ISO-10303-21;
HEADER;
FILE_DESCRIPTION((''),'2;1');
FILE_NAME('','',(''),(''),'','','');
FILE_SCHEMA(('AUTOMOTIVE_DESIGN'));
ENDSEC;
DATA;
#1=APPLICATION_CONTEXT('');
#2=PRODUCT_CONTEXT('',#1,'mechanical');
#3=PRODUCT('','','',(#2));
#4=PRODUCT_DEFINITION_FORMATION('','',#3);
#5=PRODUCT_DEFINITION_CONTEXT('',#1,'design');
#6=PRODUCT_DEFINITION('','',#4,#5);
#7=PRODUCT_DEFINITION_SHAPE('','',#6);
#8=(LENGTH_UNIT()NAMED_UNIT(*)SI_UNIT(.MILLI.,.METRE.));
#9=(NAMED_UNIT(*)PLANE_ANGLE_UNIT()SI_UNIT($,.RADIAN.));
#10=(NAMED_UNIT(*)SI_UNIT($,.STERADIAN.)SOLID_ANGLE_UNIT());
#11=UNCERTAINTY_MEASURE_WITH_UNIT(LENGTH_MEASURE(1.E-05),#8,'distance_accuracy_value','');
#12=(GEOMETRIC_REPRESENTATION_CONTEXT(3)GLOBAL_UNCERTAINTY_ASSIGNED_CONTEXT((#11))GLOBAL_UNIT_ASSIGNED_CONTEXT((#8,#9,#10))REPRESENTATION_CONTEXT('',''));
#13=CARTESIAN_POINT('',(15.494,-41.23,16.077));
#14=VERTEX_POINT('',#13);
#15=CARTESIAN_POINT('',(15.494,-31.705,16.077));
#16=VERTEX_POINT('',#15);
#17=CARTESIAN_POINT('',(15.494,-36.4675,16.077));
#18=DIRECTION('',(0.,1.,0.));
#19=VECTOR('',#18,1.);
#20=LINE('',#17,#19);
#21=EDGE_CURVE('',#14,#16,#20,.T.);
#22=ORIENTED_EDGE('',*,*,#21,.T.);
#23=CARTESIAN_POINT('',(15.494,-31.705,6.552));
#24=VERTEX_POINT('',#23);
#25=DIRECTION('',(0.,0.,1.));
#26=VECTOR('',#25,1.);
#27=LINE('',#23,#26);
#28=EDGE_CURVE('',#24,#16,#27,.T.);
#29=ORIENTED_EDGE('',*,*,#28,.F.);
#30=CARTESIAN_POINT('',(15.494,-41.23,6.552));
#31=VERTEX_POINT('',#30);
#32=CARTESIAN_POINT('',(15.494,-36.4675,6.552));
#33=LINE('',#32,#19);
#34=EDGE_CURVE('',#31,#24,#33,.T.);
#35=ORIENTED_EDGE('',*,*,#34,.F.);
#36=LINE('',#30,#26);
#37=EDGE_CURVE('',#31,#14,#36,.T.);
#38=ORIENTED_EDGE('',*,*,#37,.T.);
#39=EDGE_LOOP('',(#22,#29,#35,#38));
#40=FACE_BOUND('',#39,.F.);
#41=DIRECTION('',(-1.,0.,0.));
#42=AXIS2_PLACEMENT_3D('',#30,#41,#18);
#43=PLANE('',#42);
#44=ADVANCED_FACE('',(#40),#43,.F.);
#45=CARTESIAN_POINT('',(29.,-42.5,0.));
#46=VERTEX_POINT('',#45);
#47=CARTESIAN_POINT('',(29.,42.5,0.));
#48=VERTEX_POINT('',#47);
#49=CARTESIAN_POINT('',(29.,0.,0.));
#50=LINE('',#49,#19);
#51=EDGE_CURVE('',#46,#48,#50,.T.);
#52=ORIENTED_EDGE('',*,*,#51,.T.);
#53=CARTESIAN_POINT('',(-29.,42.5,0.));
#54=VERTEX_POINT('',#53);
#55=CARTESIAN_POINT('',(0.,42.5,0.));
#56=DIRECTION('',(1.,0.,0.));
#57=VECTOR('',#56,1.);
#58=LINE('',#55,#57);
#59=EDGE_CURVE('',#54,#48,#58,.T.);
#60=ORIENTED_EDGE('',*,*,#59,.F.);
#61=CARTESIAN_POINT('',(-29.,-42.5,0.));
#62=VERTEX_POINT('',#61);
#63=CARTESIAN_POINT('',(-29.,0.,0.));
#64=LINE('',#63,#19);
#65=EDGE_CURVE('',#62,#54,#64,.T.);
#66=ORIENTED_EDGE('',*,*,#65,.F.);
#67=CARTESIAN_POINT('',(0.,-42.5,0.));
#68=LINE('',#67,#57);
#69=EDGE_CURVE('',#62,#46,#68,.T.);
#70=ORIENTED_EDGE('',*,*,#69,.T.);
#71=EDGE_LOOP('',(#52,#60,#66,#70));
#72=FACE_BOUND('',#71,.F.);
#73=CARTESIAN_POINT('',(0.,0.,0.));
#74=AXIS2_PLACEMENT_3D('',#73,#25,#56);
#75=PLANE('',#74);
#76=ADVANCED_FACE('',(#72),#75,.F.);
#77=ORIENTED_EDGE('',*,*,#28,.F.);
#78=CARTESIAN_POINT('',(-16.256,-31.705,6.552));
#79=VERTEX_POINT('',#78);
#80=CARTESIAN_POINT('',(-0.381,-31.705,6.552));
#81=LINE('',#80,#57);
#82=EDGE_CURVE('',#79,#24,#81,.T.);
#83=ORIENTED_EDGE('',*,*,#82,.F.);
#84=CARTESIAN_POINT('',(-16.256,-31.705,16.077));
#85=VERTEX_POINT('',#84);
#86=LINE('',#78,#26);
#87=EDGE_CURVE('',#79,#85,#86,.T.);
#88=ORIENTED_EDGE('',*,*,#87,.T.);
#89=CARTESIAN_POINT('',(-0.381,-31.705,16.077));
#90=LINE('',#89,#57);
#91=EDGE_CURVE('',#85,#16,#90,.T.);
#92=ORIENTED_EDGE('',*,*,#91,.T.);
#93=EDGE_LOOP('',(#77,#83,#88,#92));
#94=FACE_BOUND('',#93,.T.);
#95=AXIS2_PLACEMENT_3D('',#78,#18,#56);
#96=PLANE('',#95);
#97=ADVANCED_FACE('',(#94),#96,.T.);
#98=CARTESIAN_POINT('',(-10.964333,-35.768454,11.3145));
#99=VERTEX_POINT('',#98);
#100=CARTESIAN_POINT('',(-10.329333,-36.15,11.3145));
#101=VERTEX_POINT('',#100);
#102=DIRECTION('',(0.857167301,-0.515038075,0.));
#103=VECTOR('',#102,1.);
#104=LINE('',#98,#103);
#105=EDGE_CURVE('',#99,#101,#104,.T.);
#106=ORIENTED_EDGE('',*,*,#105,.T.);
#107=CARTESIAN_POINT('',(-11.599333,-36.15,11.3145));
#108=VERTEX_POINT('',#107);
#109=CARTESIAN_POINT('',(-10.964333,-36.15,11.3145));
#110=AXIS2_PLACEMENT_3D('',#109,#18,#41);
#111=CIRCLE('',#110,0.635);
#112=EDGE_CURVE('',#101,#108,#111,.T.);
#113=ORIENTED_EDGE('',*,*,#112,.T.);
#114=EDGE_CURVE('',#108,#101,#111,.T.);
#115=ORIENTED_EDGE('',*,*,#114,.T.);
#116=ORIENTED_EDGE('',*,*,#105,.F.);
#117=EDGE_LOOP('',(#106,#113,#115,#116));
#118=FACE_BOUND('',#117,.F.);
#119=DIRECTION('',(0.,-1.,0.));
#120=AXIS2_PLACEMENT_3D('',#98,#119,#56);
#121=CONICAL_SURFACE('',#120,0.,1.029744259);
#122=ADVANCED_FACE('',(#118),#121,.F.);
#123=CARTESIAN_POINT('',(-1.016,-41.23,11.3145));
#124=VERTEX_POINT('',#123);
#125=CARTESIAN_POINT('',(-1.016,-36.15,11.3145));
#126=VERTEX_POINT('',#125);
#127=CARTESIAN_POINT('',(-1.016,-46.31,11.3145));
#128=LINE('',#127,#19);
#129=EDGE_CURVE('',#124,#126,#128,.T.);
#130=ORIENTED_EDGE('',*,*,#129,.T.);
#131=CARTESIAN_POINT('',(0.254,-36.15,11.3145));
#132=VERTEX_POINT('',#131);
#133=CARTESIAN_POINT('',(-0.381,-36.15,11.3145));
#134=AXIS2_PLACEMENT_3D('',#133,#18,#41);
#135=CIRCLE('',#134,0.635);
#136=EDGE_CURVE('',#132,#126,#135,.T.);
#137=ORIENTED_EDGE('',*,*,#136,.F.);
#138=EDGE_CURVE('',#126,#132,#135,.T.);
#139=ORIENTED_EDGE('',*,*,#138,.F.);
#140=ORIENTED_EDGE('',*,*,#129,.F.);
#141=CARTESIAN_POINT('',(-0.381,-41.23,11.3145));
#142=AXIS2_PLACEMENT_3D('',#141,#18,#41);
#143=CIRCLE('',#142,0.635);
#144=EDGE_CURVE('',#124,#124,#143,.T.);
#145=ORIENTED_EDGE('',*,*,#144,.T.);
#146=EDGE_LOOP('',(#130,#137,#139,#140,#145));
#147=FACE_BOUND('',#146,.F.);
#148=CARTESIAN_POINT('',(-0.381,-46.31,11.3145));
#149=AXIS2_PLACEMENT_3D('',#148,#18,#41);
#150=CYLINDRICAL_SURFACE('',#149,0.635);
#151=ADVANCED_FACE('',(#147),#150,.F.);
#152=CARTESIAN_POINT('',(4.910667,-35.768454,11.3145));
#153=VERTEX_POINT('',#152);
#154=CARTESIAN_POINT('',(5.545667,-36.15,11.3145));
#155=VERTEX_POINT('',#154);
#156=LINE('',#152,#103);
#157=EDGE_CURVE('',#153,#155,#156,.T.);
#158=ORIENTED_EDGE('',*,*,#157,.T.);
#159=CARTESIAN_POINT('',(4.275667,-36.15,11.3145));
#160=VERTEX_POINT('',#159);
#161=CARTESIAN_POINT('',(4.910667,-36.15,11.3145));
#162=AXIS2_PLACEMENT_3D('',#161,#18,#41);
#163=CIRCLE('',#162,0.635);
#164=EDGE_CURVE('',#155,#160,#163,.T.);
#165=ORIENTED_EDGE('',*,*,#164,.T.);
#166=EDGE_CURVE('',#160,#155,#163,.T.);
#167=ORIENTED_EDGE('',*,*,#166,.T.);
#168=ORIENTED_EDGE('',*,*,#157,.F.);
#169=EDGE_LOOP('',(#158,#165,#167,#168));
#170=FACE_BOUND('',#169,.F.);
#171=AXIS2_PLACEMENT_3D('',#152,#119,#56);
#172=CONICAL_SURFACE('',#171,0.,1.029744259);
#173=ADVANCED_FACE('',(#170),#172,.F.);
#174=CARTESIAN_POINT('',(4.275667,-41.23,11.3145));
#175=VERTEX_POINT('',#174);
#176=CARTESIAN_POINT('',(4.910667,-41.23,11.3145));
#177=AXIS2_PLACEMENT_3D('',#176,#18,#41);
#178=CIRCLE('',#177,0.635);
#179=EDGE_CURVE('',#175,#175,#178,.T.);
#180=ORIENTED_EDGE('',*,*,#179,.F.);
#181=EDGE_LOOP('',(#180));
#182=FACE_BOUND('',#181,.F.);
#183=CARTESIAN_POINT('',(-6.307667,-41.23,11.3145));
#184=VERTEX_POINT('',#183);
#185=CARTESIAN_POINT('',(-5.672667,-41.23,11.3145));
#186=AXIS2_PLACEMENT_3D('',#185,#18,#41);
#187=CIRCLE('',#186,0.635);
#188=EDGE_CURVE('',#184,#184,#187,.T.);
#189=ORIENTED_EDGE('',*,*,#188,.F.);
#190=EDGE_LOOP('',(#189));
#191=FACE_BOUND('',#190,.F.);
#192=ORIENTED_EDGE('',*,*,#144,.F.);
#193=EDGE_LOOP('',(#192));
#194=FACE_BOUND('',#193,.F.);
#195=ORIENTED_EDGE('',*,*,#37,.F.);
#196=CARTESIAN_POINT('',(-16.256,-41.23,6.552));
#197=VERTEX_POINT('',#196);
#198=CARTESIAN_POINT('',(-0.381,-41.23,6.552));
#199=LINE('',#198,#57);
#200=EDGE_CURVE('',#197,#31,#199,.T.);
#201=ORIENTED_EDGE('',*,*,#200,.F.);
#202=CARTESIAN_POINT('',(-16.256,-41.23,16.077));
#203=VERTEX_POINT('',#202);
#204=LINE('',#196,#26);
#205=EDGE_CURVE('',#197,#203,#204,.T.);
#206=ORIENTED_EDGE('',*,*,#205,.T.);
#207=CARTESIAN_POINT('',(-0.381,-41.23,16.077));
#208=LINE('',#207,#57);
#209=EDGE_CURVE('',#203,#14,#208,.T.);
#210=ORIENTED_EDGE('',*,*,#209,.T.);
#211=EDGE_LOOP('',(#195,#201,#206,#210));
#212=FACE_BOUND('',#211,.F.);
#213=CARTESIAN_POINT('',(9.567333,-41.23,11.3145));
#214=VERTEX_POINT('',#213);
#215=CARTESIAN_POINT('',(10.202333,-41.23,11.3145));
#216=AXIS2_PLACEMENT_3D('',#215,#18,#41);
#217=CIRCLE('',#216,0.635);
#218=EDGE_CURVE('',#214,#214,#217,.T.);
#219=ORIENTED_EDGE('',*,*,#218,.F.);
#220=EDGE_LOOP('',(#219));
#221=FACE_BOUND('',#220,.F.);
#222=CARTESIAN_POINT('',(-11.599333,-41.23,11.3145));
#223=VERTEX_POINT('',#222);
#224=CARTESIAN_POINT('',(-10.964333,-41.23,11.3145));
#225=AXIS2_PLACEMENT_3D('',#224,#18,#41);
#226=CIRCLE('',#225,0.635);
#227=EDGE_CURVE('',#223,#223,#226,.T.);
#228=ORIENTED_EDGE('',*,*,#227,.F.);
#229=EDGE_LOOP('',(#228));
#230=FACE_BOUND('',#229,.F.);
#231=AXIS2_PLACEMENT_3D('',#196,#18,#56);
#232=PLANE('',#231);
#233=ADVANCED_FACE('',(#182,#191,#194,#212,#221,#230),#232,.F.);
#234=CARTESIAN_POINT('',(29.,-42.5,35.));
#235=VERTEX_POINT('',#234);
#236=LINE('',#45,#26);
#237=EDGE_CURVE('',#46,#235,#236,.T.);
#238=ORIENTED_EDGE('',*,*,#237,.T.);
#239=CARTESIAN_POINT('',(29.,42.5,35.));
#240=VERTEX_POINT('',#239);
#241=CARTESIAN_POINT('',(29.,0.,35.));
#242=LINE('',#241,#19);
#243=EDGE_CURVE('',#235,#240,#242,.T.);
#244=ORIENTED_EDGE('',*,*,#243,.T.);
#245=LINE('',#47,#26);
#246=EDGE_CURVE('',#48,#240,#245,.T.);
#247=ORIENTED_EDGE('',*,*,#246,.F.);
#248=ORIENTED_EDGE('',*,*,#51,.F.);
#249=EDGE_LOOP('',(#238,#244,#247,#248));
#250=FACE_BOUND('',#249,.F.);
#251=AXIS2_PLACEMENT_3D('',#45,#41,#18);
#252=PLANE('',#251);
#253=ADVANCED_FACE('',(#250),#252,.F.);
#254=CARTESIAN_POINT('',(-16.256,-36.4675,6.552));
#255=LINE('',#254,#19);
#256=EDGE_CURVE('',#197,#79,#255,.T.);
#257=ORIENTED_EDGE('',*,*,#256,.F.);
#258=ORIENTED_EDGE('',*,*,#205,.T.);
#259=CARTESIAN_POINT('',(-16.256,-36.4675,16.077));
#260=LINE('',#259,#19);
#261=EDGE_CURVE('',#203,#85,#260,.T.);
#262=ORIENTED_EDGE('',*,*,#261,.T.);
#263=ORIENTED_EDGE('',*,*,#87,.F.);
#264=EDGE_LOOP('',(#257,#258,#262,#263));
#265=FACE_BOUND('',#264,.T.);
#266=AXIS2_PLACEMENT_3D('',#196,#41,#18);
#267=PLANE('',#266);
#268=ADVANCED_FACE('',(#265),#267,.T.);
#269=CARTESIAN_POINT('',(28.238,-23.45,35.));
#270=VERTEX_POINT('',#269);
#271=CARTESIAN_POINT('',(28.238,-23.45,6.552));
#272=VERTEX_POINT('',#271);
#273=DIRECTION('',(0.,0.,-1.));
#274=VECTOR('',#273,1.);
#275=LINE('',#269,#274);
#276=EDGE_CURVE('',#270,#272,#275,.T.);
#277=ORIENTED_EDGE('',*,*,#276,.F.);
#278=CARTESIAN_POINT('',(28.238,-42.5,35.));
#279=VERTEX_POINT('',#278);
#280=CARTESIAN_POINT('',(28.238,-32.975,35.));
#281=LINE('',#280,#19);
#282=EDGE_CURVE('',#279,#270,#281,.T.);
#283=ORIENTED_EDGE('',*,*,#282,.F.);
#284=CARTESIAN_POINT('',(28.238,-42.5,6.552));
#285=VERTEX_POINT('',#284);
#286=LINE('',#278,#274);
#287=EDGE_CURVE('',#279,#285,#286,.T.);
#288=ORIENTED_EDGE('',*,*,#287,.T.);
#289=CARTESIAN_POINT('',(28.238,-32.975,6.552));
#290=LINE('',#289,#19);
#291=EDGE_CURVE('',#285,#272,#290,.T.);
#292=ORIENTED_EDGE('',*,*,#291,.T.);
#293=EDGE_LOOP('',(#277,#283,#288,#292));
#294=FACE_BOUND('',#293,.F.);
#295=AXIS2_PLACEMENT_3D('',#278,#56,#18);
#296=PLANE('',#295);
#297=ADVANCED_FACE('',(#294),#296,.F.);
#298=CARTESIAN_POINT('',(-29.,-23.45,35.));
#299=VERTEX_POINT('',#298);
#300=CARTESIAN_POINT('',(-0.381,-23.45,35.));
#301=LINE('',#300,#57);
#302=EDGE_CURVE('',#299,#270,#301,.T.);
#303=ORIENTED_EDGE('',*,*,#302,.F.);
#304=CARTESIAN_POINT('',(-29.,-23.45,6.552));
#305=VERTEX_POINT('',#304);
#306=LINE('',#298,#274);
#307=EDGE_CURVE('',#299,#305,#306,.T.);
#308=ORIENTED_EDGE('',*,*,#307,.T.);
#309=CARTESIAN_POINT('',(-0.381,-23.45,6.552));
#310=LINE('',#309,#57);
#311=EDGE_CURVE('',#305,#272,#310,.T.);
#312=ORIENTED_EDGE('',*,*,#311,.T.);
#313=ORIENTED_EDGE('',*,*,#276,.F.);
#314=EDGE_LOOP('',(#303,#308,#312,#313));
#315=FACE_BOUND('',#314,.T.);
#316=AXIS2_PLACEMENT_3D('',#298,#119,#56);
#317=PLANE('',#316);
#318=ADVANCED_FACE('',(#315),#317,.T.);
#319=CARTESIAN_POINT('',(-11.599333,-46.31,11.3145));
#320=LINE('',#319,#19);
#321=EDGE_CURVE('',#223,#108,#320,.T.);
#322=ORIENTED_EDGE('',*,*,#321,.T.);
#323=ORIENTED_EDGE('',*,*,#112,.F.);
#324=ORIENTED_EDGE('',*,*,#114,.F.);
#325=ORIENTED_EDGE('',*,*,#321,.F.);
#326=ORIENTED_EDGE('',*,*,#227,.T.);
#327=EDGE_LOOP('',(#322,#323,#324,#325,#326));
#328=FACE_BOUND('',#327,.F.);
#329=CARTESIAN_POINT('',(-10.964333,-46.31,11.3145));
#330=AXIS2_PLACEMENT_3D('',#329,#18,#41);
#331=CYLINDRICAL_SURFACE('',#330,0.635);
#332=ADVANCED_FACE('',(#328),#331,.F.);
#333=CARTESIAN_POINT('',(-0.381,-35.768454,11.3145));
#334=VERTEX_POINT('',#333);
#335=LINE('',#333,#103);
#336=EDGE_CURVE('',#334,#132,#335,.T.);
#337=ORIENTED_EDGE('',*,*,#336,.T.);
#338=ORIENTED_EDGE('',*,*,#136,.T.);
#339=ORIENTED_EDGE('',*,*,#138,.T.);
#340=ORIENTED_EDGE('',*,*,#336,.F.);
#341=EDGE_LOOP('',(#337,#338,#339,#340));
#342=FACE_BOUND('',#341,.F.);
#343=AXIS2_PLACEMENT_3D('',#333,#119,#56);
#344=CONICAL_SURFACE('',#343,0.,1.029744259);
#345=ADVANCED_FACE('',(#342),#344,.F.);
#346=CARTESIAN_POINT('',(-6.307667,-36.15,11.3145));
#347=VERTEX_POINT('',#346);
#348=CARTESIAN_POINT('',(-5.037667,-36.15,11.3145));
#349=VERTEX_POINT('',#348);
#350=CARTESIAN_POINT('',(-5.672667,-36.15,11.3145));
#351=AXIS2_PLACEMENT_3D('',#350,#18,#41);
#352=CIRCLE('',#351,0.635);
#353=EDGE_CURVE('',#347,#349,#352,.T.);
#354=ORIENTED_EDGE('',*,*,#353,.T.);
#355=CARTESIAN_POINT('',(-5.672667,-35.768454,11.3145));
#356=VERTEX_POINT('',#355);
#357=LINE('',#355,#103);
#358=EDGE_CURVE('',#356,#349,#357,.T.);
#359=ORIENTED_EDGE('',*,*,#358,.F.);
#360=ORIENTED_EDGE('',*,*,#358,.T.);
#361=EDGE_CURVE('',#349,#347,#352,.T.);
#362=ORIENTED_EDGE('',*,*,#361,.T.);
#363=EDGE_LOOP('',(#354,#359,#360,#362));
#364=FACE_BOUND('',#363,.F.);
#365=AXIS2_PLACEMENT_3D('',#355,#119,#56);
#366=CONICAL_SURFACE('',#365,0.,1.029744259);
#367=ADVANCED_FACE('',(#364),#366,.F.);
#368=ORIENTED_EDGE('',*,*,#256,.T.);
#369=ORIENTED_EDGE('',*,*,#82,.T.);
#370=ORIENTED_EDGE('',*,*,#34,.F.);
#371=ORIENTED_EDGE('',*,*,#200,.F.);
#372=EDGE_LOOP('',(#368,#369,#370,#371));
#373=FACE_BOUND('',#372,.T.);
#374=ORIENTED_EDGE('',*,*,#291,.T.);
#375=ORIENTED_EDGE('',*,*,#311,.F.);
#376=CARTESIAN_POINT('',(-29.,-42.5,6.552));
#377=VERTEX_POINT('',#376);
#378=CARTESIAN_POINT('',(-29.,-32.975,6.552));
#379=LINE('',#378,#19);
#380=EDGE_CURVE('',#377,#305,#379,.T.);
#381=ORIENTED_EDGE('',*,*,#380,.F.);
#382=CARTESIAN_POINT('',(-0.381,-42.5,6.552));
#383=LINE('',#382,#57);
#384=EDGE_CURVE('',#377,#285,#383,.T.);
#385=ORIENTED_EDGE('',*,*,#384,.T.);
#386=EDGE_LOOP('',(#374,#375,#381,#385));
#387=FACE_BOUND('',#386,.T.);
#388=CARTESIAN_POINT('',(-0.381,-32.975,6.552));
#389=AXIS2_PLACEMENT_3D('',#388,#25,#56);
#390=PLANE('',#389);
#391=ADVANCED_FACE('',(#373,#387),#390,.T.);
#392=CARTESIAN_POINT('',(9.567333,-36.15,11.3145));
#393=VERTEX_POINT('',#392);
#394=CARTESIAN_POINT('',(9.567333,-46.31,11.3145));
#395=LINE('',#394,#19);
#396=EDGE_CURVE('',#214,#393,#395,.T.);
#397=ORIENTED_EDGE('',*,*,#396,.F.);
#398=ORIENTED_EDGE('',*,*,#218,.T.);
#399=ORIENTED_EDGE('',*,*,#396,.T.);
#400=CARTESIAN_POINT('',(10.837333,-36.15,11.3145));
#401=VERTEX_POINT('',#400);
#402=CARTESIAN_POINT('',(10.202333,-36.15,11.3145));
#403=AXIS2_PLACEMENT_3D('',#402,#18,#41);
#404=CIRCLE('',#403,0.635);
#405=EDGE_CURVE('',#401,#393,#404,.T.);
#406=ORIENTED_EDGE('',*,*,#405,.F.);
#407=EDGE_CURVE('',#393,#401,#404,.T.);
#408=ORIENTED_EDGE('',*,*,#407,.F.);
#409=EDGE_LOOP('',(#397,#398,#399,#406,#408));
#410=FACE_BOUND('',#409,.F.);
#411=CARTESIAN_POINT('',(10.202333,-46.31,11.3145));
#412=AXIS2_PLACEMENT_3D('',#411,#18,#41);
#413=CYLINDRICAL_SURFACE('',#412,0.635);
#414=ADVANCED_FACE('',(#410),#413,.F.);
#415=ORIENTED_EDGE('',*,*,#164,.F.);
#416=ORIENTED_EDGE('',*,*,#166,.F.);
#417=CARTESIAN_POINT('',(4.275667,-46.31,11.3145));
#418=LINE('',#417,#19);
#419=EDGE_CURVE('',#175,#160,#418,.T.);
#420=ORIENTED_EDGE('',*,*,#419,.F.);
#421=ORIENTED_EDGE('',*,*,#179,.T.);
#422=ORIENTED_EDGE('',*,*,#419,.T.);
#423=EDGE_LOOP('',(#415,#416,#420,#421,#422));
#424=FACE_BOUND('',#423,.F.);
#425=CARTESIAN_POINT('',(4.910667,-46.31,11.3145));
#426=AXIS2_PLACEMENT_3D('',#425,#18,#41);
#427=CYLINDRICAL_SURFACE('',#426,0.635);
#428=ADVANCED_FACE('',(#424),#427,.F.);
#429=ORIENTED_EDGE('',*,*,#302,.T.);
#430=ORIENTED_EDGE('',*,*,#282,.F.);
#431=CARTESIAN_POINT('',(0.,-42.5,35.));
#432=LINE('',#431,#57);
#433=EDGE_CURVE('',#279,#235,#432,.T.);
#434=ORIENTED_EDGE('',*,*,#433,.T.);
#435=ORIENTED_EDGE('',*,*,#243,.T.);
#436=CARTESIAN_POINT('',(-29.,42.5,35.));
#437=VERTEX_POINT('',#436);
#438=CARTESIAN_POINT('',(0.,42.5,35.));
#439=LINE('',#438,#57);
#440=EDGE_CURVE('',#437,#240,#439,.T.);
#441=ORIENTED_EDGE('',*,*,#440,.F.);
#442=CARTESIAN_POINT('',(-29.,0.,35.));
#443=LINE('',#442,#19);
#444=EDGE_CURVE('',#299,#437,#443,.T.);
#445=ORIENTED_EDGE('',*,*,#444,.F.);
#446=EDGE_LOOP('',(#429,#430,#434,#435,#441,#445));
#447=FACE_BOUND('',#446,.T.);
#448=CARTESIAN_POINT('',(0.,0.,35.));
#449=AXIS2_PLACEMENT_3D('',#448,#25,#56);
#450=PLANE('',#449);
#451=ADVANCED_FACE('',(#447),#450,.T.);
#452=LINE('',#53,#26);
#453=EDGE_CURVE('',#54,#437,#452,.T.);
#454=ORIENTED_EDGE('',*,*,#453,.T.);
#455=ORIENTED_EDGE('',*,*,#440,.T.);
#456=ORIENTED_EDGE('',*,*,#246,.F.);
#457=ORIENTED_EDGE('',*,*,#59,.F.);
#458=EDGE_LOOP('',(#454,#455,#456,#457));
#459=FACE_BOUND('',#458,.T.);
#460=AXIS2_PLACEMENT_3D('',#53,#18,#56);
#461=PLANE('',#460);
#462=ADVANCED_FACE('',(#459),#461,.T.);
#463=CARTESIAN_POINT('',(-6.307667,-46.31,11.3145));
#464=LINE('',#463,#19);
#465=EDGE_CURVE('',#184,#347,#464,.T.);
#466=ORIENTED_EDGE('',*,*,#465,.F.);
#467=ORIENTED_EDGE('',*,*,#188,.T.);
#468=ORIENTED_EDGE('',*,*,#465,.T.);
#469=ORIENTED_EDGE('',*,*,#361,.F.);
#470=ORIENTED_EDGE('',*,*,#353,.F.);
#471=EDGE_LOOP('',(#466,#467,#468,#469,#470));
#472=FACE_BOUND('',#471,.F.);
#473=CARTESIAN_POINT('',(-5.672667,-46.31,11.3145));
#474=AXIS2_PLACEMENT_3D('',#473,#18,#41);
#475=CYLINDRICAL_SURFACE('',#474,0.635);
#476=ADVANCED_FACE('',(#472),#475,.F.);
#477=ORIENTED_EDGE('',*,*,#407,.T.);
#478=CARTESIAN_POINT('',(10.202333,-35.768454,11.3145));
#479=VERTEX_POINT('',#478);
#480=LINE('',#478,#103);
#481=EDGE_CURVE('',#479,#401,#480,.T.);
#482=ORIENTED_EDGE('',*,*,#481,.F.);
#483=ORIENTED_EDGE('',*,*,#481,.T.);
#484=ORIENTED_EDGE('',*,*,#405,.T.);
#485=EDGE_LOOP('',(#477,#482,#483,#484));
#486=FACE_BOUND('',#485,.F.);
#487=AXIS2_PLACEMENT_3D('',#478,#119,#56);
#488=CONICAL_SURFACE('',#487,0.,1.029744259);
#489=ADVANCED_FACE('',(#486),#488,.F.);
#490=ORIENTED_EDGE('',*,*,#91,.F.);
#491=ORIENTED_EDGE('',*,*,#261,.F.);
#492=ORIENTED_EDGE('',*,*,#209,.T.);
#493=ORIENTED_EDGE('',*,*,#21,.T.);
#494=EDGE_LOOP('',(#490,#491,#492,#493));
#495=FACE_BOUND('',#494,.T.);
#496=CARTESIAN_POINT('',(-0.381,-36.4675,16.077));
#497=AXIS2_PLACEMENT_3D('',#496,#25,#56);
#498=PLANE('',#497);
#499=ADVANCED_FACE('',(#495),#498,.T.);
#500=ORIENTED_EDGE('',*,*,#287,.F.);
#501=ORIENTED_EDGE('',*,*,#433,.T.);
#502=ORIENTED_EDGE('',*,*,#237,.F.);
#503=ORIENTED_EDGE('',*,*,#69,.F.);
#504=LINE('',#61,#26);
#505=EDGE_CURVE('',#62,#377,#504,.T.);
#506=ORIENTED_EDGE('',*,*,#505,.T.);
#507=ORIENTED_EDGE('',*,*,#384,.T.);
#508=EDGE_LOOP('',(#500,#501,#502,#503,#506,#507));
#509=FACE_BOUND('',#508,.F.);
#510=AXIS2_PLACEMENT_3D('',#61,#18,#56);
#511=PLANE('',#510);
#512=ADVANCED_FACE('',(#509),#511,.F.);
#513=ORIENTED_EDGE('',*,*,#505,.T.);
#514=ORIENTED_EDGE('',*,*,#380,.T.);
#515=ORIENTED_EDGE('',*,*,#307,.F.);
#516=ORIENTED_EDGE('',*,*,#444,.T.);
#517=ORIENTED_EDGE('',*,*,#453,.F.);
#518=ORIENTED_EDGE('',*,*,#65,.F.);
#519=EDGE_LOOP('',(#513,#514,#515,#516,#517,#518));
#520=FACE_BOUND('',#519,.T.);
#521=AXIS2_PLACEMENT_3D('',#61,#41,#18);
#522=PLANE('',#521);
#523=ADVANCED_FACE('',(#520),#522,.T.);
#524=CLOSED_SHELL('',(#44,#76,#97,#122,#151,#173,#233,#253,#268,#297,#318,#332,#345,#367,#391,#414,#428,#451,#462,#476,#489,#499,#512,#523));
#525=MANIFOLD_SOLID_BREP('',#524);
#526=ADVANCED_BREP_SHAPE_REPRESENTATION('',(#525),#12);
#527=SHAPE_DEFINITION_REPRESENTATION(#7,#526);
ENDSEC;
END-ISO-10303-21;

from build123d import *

# Parameters (mm, degrees)
F0_W     = 58
F0_H     = 85
F1_DEPTH = 35
F2_W     = 57.238
F2_H     = 19.05
F3_DEPTH = 28.448
F4_W     = 31.75
F4_H     = 9.525
F5_DEPTH = 9.525
F7_D     = 1.27
F7_DEPTH = 5.08
F7_TIP   = 0.3815464931


with BuildPart() as f1:
    # F0 (on Top) → F1 (new body)
    with BuildSketch(Plane.XY):
        Rectangle(F0_W, F0_H)
    extrude(amount=F1_DEPTH)

    # F2 (on face) → F3 (cut)
    with BuildSketch(Plane.XY.offset(35)):
        with Locations((-0.381, -32.975)):
            Rectangle(F2_W, F2_H)
    extrude(amount=-F3_DEPTH, mode=Mode.SUBTRACT)

    # F4 (on face) → F5 (join)
    with BuildSketch(Plane.XY.offset(6.552)):
        with Locations((-0.381, -36.4675)):
            Rectangle(F4_W, F4_H)
    extrude(amount=F5_DEPTH)

    # F7
    with Locations(Plane.XZ.offset(41.23)):
        with Locations((-10.9643333333, 11.3145), (-5.6726666667, 11.3145), (-0.381, 11.3145), (4.9106666667, 11.3145), (10.2023333333, 11.3145)):
            Hole(F7_D / 2, depth=F7_DEPTH)
            with Locations((0, 0, -(F7_DEPTH + F7_TIP / 2))):  # 118° drill point
                Cone(0, F7_D / 2, F7_TIP, mode=Mode.SUBTRACT)


solid = f1.part
